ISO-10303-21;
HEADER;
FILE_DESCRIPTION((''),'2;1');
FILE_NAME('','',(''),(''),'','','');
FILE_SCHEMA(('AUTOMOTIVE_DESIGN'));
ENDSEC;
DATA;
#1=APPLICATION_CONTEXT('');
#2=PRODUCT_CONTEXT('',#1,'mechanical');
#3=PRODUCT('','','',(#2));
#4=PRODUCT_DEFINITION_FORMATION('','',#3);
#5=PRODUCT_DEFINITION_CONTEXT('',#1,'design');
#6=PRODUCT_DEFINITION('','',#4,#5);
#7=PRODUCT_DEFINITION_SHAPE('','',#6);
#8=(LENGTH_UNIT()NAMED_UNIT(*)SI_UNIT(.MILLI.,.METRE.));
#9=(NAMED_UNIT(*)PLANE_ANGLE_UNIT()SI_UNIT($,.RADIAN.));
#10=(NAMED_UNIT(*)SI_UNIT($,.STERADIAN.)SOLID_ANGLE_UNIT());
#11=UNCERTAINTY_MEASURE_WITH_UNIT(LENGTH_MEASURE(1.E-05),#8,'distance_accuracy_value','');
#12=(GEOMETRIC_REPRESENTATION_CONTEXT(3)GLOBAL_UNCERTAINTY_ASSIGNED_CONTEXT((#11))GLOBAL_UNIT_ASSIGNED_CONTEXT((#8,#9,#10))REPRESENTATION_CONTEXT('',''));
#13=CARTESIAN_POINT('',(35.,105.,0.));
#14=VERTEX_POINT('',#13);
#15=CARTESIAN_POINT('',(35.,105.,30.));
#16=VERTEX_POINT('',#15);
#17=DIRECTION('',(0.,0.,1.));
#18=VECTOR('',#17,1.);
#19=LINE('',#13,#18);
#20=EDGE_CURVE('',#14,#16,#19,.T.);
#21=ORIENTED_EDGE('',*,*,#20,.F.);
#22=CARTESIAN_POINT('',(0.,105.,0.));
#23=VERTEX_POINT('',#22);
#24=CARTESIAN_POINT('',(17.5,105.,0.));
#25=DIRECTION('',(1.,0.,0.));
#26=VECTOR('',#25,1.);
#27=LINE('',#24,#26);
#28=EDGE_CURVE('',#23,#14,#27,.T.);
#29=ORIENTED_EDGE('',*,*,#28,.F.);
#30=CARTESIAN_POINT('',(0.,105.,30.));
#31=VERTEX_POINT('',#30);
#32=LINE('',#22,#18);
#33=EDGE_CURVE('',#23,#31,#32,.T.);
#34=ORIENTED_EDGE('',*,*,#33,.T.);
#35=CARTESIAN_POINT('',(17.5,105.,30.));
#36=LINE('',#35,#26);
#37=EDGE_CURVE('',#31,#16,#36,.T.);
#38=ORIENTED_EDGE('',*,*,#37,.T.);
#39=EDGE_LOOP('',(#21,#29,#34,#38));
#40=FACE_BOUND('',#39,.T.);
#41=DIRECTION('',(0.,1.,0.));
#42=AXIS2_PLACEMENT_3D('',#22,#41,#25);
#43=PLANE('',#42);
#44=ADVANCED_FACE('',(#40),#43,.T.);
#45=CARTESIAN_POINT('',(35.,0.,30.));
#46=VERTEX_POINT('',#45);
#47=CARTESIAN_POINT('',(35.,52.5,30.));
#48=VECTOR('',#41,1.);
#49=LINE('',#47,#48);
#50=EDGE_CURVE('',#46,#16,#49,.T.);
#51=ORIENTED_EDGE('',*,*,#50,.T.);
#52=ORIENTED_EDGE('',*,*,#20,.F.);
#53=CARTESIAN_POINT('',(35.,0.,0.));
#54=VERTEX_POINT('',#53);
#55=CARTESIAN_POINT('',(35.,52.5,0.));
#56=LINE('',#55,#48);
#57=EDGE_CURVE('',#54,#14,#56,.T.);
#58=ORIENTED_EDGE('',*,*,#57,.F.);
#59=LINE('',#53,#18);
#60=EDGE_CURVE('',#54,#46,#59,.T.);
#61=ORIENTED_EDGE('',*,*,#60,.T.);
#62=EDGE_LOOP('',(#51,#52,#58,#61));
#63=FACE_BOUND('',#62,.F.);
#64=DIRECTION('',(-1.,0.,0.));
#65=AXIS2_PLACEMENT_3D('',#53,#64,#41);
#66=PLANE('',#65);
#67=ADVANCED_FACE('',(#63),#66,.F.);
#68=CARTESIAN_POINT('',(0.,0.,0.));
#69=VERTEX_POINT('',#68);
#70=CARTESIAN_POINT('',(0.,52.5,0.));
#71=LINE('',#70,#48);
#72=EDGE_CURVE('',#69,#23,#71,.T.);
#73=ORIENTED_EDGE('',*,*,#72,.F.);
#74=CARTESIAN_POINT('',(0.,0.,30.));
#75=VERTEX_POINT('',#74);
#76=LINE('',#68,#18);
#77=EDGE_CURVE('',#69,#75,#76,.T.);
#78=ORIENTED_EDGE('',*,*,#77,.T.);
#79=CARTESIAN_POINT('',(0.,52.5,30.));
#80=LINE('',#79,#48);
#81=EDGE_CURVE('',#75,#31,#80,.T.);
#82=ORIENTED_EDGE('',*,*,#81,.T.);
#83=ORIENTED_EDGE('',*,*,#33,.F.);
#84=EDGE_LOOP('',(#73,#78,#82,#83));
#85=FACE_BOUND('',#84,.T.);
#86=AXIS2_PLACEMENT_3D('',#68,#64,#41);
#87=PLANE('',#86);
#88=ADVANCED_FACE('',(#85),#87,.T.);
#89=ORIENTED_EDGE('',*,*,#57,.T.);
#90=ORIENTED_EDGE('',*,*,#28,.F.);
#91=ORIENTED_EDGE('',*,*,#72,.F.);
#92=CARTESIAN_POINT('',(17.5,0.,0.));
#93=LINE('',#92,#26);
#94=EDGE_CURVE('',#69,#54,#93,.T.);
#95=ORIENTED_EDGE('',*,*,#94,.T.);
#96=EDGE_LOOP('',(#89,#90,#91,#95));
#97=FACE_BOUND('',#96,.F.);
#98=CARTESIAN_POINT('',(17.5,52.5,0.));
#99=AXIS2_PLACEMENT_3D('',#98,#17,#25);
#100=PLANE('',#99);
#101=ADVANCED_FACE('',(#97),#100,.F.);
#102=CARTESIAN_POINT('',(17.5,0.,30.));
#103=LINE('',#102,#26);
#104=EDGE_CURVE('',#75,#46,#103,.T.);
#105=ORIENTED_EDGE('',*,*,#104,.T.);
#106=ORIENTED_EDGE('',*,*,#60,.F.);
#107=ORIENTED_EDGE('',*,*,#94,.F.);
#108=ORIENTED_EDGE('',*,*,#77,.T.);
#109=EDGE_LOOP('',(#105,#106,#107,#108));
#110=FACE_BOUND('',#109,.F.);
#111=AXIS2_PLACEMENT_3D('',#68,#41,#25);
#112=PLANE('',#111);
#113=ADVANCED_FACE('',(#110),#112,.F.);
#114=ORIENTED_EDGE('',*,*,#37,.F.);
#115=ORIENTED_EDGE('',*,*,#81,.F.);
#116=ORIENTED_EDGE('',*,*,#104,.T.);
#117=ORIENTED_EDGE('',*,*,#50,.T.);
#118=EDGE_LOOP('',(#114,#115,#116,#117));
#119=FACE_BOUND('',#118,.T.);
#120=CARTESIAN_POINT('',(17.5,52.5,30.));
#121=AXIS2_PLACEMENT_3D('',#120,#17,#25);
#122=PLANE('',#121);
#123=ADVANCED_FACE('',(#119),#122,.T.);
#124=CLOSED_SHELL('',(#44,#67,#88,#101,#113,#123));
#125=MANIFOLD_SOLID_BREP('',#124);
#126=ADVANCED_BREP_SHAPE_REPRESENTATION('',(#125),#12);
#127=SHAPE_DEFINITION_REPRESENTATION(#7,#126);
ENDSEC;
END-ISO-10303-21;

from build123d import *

# Parameters (mm, degrees)
SKETCH_W  = 35
SKETCH_H  = 105
PAD_DEPTH = 30


with BuildPart() as part:
    # Sketch → Pad (new body)
    with BuildSketch(Plane.XY):
        with Locations((17.5, 52.5)):
            Rectangle(SKETCH_W, SKETCH_H)
    extrude(amount=PAD_DEPTH)


solid = part.part
